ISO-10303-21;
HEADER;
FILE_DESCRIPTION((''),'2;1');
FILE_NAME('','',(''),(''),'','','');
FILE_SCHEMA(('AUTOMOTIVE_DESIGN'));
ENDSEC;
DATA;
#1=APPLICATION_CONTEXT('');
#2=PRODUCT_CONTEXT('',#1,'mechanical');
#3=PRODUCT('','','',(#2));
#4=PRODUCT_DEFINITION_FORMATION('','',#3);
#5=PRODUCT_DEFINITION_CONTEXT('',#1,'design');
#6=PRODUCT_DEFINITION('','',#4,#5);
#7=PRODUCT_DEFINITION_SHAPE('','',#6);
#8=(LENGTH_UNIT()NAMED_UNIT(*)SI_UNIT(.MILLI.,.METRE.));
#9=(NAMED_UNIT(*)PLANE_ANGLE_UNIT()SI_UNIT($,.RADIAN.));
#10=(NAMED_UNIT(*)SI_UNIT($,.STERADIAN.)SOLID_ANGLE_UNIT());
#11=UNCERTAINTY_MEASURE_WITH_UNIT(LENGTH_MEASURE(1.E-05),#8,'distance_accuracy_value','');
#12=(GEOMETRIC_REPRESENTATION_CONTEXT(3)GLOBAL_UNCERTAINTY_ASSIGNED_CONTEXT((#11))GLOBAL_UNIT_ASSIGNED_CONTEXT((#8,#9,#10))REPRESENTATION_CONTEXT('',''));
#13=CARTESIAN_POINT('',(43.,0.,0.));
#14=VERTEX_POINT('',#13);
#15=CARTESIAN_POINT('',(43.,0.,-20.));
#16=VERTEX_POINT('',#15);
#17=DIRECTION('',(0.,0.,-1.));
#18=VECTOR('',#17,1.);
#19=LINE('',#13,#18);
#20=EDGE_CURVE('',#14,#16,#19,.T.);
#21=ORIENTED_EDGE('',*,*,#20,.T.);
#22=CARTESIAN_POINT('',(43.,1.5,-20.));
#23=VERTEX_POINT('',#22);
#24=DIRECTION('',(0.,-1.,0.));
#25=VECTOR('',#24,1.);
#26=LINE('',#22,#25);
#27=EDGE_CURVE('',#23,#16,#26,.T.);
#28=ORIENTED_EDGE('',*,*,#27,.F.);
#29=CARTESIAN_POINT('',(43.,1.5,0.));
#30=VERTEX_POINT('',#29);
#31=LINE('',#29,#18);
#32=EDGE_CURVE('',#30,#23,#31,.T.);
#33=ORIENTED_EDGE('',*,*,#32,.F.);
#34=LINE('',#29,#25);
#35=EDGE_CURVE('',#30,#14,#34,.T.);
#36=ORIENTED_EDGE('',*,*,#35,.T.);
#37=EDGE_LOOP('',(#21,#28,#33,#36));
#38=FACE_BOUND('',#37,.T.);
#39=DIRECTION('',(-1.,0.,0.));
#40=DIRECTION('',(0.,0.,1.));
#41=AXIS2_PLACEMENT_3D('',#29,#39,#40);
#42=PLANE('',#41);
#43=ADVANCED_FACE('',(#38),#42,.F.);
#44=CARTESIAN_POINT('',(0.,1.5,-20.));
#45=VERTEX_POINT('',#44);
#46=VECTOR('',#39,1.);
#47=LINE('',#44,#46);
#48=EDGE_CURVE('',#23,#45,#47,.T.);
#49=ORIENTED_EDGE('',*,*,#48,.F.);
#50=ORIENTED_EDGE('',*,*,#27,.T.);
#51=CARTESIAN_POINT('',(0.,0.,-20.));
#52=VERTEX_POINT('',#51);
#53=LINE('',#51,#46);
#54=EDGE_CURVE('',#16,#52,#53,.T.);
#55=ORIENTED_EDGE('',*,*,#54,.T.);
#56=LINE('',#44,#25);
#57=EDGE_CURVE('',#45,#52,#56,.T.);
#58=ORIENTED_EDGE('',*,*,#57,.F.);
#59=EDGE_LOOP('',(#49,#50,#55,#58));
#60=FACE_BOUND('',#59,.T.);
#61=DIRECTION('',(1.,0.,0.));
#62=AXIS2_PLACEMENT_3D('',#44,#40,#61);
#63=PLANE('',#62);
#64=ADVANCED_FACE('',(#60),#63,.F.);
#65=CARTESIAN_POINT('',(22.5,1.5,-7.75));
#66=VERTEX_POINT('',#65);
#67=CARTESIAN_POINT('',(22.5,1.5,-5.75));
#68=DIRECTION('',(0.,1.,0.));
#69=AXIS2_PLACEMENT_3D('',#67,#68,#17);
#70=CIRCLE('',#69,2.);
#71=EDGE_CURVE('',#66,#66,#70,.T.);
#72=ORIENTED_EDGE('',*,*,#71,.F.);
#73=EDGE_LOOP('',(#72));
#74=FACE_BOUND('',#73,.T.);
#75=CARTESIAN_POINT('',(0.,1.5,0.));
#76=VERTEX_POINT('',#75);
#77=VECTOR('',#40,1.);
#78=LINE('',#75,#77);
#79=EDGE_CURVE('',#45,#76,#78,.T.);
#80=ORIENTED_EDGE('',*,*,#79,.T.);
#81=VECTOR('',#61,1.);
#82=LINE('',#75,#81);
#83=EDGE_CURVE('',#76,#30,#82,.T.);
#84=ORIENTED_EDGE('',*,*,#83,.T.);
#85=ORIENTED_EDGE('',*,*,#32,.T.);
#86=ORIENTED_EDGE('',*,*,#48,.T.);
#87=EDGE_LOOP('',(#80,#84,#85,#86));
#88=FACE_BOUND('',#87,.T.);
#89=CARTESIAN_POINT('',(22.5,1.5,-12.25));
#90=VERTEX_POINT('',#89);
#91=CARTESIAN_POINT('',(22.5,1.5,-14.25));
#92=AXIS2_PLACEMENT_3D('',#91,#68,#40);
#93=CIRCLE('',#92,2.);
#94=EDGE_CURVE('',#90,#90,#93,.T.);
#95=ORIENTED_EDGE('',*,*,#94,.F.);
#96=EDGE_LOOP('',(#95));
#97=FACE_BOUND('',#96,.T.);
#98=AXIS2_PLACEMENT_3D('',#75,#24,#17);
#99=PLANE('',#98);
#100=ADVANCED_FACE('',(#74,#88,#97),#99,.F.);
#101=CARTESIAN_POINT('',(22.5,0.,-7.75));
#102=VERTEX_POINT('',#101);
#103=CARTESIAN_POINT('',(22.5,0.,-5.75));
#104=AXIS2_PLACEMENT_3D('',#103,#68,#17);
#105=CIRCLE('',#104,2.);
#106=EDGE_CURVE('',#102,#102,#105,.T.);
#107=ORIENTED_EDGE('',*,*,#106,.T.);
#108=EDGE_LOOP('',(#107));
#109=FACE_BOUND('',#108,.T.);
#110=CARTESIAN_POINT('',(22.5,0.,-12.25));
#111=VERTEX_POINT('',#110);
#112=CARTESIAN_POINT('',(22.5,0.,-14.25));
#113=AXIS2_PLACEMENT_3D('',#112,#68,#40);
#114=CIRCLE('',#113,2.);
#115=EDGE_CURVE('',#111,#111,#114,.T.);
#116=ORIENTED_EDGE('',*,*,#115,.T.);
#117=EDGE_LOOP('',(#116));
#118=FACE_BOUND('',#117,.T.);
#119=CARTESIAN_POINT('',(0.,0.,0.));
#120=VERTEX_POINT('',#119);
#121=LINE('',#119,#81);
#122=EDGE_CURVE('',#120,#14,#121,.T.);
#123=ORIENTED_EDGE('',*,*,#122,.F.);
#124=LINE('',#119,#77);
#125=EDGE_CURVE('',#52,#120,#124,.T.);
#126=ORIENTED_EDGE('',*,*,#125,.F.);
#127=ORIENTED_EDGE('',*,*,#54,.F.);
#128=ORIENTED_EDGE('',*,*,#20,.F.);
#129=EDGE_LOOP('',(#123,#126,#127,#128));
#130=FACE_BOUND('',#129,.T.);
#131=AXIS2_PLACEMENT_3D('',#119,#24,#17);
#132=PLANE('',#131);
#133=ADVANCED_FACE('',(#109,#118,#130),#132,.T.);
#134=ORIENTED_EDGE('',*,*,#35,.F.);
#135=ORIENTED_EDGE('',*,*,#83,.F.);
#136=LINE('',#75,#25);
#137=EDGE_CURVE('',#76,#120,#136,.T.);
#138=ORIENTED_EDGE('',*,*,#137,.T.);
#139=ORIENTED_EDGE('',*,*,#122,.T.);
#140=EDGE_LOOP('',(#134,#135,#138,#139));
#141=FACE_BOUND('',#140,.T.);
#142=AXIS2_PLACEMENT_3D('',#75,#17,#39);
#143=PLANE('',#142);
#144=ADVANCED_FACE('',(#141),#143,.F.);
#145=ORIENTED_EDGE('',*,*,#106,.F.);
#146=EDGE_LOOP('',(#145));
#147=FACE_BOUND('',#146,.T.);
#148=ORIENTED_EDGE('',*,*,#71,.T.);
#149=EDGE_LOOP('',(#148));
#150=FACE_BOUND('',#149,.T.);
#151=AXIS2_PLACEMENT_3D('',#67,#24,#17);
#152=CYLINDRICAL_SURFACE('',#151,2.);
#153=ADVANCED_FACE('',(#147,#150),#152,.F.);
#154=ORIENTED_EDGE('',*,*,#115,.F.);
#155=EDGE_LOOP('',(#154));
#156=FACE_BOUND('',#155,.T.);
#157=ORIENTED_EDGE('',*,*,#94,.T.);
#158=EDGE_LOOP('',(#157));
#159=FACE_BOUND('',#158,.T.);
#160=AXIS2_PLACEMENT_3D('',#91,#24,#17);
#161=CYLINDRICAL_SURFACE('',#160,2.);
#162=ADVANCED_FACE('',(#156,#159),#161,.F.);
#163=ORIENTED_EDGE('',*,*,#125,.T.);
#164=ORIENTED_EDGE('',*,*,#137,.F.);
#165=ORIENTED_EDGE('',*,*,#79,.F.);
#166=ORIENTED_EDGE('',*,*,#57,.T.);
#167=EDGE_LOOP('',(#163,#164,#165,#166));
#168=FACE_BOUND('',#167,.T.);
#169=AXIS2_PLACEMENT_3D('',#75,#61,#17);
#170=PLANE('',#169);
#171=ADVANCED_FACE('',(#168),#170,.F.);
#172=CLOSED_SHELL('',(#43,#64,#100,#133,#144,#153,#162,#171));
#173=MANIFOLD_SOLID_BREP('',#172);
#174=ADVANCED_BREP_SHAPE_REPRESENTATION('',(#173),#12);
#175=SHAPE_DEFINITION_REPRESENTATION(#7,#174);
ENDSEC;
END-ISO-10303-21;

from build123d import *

# Parameters (mm, degrees)
SKETCH_1_W      = 43
SKETCH_1_H      = 20
SKETCH_1_R      = 2
EXTRUDE_1_DEPTH = 1.5


with BuildPart() as part:
    # Эскиз1 → Бобышка-Вытянуть1 (new body)
    with BuildSketch(Plane(origin=(0, 0, 0), x_dir=(1, 0, 0), z_dir=(0, 1, 0))):
        with Locations((21.5, 10)):
            Rectangle(SKETCH_1_W, SKETCH_1_H)
        with Locations((22.5, 14.25)):
            Circle(SKETCH_1_R, mode=Mode.SUBTRACT)
        with Locations((22.5, 5.75)):
            Circle(SKETCH_1_R, mode=Mode.SUBTRACT)
    extrude(amount=EXTRUDE_1_DEPTH)


solid = part.part
